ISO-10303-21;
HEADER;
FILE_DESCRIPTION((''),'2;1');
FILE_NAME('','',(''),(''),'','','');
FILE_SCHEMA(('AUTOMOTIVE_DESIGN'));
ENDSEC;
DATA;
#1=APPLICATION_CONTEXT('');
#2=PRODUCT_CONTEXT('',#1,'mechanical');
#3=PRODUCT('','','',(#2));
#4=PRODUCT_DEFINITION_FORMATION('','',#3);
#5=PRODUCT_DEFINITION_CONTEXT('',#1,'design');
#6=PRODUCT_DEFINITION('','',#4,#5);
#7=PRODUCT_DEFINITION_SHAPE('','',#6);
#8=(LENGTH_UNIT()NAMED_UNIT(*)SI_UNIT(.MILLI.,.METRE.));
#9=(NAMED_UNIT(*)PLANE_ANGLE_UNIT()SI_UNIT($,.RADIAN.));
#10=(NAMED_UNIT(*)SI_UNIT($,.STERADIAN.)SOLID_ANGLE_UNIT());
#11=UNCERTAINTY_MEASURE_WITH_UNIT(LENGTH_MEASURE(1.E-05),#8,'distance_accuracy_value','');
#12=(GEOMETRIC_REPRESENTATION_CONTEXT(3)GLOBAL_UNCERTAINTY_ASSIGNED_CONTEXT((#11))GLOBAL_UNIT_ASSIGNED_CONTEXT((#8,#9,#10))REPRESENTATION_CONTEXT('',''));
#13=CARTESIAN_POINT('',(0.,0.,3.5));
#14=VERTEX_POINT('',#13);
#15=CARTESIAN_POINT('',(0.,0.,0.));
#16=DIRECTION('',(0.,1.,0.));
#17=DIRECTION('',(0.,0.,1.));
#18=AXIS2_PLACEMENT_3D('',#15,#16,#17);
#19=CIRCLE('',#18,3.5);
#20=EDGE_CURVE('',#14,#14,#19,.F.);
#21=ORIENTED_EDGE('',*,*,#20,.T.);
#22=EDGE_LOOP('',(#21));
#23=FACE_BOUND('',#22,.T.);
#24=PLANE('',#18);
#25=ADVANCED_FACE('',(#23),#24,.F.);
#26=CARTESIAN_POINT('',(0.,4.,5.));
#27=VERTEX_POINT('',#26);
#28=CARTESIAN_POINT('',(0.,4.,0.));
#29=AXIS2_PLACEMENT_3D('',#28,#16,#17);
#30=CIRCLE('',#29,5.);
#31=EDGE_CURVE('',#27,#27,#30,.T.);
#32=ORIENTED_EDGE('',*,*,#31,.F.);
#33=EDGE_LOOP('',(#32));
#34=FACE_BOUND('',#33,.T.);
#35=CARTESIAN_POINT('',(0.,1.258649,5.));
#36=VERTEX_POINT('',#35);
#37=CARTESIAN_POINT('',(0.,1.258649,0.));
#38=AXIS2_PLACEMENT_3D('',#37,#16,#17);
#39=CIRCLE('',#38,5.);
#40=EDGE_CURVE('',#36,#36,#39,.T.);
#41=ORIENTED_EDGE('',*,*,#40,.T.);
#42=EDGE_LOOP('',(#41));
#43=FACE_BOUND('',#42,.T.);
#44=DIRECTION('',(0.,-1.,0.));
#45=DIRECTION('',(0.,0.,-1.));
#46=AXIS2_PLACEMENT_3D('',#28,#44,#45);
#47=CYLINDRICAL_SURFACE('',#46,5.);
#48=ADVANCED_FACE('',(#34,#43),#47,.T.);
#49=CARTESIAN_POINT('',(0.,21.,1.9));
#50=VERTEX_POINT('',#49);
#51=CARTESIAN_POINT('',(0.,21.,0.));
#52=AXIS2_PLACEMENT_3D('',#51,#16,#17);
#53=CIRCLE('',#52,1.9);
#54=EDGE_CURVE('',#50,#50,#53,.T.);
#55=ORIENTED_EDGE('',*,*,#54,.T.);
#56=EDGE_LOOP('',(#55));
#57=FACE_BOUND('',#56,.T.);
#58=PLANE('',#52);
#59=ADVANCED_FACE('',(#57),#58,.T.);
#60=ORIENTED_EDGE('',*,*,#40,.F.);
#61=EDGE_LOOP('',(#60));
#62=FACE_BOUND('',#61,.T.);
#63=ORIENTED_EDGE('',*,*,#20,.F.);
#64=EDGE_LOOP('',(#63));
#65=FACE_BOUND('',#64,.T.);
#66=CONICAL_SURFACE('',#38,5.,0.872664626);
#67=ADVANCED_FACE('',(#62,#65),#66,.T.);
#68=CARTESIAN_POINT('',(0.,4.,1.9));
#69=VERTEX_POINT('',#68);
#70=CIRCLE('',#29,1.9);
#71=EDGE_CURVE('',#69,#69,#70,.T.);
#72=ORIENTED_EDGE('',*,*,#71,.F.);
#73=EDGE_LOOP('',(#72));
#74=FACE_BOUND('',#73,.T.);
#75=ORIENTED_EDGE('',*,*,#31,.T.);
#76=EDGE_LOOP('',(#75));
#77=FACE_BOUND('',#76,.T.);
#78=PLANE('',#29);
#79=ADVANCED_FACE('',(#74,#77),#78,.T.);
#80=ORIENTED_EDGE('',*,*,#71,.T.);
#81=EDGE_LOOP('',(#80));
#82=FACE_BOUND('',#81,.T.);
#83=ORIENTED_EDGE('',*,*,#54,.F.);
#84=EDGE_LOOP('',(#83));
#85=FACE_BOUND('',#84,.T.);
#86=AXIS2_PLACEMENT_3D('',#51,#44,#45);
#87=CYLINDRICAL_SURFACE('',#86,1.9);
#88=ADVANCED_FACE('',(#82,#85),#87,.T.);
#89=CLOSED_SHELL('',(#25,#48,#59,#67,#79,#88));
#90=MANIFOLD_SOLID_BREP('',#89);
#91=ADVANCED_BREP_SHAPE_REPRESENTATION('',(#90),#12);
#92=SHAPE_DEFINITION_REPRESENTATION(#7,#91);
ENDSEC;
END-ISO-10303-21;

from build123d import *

# Parameters (mm, degrees)
SKETCH1_R           = 5
BOSS_EXTRUDE1_DEPTH = 4
SKETCH2_R           = 1.9
BOSS_EXTRUDE2_DEPTH = 17
CHAMFER1_SIZE       = 1.5
CHAMFER1_SIZE2      = 1.258649447


with BuildPart() as part:
    # Sketch1 → Boss-Extrude1 (new body)
    with BuildSketch(Plane(origin=(0, 0, 0), x_dir=(1, 0, 0), z_dir=(0, 1, 0))):
        with Locations(Location((0, 0, 0), (0, 0, 270))):
            Circle(SKETCH1_R)
    extrude(amount=BOSS_EXTRUDE1_DEPTH)

    # Sketch2 → Boss-Extrude2 (add)
    with BuildSketch(Plane(origin=(0, 4, 0), x_dir=(1, 0, 0), z_dir=(0, 1, 0))):
        with Locations(Location((0, 0, 0), (0, 0, 270))):
            Circle(SKETCH2_R)
    extrude(amount=BOSS_EXTRUDE2_DEPTH)

    # Chamfer1
    chamfer1_edges = [part.edges().sort_by_distance(p)[0] for p in [
        (0, 0, -5),
    ]]
    chamfer1_side = [part.faces().sort_by_distance(p)[0] for p in [
        (0, 0, 0),
    ]]
    chamfer(chamfer1_edges, length=CHAMFER1_SIZE, length2=CHAMFER1_SIZE2, reference=chamfer1_side[0])


solid = part.part
